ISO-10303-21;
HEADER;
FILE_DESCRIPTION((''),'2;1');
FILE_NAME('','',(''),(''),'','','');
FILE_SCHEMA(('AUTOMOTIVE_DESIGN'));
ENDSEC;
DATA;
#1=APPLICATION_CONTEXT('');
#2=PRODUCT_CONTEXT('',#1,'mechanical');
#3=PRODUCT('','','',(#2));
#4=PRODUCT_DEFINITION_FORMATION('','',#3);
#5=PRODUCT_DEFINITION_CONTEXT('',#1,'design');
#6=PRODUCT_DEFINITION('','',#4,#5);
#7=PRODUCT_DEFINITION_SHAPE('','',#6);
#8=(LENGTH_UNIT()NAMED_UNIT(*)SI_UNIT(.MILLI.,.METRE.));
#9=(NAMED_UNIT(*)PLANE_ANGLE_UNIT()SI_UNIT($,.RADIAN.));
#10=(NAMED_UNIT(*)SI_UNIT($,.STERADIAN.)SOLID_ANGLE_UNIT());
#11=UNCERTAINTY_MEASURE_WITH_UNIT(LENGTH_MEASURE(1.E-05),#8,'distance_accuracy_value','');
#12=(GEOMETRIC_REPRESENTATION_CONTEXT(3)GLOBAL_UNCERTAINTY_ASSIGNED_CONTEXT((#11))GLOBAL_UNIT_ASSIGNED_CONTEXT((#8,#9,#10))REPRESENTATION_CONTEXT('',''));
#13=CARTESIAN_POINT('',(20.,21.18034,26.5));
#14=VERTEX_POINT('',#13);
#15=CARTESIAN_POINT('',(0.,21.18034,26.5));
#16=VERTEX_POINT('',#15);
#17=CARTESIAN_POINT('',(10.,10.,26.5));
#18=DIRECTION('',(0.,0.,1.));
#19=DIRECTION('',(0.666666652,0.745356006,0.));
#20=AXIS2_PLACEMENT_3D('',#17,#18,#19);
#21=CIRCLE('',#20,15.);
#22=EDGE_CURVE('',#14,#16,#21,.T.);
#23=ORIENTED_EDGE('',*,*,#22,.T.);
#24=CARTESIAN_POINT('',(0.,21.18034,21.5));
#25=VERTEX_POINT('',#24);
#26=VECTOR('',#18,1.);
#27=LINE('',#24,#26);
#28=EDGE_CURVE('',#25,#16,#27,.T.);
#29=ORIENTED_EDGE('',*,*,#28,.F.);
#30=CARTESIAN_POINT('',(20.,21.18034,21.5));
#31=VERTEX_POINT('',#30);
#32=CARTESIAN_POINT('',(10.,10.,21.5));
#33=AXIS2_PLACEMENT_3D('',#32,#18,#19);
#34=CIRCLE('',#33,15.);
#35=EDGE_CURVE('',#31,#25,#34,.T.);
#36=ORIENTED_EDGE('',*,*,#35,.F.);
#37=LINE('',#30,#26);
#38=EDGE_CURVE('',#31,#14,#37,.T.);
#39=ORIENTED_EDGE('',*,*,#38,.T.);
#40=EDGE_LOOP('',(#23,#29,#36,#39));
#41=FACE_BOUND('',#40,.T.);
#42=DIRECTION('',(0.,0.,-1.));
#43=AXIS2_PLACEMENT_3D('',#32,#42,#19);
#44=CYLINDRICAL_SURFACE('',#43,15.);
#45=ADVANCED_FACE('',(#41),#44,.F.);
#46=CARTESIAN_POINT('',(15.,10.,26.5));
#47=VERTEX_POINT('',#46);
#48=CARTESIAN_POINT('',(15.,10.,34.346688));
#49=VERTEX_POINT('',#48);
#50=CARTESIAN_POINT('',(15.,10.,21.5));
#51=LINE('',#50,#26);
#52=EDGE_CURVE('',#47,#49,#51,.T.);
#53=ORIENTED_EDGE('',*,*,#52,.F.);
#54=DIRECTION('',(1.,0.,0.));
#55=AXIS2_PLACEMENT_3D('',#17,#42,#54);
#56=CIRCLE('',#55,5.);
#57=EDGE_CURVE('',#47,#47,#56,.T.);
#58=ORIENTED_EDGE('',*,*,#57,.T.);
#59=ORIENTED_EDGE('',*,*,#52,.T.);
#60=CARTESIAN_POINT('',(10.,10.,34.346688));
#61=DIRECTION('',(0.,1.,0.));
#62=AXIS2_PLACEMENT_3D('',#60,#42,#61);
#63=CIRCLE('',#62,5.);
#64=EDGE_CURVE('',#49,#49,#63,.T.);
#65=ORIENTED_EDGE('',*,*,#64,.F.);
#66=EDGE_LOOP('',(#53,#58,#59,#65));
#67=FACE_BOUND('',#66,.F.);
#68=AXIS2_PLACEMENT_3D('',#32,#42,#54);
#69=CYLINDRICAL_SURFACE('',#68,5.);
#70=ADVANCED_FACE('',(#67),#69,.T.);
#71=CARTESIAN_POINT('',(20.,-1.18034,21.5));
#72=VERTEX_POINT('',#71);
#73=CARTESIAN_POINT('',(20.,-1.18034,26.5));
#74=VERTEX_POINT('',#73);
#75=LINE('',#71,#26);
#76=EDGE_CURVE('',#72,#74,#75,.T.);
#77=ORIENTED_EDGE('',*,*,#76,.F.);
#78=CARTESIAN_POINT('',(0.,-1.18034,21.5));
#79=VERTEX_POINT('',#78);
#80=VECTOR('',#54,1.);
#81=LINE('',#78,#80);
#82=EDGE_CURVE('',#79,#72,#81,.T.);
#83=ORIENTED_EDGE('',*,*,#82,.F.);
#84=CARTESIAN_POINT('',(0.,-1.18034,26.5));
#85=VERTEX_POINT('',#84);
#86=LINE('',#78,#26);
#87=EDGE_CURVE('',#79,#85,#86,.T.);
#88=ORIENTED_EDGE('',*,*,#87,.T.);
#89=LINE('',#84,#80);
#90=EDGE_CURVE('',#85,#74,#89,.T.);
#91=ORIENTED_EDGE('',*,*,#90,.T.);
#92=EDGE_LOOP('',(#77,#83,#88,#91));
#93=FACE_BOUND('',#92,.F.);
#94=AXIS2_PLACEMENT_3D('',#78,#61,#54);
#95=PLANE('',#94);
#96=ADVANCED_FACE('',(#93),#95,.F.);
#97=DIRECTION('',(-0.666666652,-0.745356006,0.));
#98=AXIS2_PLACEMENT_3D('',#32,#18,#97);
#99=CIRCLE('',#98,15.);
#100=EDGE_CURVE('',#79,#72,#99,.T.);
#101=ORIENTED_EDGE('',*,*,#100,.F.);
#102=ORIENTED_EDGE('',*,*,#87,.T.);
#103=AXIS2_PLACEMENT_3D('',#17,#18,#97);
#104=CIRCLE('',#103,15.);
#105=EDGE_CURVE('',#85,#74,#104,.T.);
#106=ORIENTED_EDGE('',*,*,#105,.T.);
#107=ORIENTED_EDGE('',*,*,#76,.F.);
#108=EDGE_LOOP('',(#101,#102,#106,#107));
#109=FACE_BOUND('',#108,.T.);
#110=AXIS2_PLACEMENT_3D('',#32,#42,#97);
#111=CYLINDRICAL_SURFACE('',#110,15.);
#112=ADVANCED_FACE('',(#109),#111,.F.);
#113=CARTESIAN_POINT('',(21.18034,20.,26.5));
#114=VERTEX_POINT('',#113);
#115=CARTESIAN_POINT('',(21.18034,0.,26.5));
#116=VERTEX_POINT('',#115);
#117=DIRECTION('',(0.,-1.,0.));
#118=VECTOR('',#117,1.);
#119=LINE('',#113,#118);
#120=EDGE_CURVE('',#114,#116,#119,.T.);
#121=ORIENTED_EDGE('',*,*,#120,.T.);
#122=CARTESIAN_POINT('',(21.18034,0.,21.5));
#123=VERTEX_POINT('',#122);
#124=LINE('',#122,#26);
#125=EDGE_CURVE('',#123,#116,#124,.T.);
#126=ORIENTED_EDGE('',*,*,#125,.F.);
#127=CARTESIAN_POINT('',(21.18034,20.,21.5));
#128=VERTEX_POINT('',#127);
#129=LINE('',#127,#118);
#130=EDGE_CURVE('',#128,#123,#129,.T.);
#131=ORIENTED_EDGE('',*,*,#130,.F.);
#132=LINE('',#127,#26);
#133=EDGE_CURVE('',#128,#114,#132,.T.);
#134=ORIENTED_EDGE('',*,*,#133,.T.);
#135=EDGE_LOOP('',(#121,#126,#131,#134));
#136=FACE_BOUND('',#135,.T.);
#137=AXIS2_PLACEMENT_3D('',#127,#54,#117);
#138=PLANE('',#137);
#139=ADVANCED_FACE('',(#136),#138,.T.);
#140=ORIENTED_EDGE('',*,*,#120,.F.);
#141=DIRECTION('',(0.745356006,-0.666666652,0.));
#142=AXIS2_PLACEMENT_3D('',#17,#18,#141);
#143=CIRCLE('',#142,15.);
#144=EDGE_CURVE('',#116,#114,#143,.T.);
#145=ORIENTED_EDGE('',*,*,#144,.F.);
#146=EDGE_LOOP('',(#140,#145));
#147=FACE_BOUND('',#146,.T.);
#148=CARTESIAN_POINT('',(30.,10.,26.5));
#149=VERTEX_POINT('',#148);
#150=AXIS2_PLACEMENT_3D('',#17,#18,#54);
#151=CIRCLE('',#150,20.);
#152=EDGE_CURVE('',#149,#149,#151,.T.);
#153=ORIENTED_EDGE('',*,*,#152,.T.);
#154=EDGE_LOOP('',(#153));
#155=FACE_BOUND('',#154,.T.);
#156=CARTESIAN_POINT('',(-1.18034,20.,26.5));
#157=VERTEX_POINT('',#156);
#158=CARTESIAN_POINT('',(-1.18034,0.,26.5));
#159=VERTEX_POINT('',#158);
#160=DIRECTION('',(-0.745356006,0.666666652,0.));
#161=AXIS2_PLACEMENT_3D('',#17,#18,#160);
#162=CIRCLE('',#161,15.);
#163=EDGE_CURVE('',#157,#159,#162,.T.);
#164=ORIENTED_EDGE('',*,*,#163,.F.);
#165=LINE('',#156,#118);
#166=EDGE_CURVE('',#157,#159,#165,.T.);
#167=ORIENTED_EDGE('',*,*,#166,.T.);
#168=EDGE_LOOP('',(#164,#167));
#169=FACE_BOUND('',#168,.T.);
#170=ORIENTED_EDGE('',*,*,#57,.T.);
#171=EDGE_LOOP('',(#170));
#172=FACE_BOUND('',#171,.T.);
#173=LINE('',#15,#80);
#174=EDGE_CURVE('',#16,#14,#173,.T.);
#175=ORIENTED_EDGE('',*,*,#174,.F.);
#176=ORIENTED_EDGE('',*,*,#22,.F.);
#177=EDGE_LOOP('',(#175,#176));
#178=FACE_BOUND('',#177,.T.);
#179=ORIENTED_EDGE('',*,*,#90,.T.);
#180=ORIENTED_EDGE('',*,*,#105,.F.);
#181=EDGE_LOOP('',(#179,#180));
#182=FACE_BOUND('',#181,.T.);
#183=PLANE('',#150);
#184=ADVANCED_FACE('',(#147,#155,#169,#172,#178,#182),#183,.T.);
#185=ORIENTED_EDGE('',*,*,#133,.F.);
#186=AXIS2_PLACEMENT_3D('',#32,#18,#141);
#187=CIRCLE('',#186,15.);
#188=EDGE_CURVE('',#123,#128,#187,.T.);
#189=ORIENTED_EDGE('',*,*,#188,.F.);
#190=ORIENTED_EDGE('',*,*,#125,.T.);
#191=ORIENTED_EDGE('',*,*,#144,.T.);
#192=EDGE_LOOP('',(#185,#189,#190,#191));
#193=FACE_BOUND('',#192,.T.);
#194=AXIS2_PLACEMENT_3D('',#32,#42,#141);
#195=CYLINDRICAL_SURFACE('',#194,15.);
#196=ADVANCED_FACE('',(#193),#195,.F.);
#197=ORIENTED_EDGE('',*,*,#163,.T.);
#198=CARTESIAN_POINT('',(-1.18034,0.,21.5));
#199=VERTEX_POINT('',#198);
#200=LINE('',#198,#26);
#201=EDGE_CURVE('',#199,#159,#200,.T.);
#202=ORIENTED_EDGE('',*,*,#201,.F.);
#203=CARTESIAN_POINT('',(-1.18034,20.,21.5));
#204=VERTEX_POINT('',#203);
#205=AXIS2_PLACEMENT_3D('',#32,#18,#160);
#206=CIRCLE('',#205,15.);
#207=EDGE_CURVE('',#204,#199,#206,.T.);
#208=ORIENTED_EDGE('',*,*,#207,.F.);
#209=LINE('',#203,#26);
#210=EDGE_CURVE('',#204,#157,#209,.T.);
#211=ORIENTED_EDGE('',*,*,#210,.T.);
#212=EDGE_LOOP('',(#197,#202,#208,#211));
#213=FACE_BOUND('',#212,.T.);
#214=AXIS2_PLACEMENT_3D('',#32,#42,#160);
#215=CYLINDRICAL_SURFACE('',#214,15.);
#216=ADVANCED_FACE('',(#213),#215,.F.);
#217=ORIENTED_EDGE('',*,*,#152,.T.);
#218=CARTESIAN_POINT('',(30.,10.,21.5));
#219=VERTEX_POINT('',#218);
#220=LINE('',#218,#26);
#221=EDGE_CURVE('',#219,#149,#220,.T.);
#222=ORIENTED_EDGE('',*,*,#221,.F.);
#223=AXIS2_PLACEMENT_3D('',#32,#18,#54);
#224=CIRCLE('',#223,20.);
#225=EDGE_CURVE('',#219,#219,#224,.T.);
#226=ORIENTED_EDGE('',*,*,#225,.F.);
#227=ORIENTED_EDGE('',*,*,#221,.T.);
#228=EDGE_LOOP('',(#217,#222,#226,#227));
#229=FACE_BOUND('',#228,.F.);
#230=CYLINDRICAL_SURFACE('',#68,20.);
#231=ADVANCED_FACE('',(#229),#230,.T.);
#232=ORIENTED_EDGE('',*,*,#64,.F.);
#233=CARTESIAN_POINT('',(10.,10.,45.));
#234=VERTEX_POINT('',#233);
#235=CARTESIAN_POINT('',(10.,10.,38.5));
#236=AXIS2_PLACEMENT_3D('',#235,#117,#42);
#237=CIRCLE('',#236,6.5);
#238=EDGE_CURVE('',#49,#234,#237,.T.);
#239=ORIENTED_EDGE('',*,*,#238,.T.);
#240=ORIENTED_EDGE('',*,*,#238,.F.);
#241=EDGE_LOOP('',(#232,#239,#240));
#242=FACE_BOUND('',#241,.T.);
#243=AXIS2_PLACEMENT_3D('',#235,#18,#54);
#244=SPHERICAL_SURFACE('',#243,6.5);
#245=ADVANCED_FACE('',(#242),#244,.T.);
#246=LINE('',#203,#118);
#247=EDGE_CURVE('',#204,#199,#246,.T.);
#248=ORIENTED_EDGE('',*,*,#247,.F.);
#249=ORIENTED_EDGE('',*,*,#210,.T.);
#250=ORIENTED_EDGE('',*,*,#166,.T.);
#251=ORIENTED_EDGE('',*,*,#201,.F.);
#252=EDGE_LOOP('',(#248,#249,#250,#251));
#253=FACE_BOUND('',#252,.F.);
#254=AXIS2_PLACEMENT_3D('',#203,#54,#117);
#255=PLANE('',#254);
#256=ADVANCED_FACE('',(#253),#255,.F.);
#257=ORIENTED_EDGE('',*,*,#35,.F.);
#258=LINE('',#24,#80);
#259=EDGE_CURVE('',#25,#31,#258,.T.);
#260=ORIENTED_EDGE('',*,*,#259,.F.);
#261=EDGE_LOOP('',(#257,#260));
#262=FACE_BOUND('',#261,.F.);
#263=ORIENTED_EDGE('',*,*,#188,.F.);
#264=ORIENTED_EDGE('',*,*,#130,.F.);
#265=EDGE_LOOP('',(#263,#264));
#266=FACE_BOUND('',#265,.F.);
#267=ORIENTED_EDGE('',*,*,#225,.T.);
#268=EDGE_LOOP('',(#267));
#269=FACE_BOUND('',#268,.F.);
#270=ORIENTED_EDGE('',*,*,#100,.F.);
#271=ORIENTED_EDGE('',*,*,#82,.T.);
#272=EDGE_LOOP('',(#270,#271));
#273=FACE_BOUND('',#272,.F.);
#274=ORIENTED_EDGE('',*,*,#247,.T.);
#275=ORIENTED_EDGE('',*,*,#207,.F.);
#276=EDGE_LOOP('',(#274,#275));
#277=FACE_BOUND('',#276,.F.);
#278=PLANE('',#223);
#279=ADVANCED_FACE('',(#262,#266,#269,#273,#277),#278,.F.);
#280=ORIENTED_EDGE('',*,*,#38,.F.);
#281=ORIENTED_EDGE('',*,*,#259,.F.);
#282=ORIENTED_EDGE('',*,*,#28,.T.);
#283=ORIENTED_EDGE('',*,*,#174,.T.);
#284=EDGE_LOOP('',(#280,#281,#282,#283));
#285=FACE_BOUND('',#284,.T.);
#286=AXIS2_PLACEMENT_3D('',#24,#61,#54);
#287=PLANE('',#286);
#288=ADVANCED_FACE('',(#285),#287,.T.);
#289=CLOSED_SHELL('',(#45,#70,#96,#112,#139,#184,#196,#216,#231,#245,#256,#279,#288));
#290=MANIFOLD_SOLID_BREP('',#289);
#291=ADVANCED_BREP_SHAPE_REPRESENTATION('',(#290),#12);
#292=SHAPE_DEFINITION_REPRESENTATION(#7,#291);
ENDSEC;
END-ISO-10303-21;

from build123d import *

# Parameters (mm, degrees)
SKETCH001_R       = 20
PAD001_DEPTH      = 5
CYLINDER012_R     = 5
CYLINDER012_DEPTH = 15


with BuildPart() as pad001:
    # Sketch001 → Pad001 (new body)
    with BuildSketch(Plane.XY):
        Circle(SKETCH001_R)
        with BuildLine():
            ThreePointArc((11.18034, -10), (15, 0), (11.18034, 10))
            Line((11.18034, 10), (11.18034, -10))
        make_face(mode=Mode.SUBTRACT)
        with BuildLine():
            ThreePointArc((-11.18034, 10), (-15, 0), (-11.18034, -10))
            Line((-11.18034, 10), (-11.18034, -10))
        make_face(mode=Mode.SUBTRACT)
        with BuildLine():
            ThreePointArc((10, 11.18034), (0, 15), (-10, 11.18034))
            Line((-10, 11.18034), (10, 11.18034))
        make_face(mode=Mode.SUBTRACT)
        with BuildLine():
            ThreePointArc((-10, -11.18034), (0, -15), (10, -11.18034))
            Line((-10, -11.18034), (10, -11.18034))
        make_face(mode=Mode.SUBTRACT)
    extrude(amount=PAD001_DEPTH)


with BuildPart() as sphere001:
    # Sphere001 → Sphere001 (revolve)
    with BuildSketch(Plane(origin=(0, 0, 17), x_dir=(1, 0, 0), z_dir=(0, -1, 0))):
        with BuildLine():
            ThreePointArc((0, -6.5), (6.5, 0), (0, 6.5))
            Line((0, 6.5), (0, -6.5))
        make_face()
    revolve(axis=Axis((0, 0, 17), (0, 0, 1)))


with BuildPart() as clone_of_piezacirculo:
    # Cylinder012 → Cylinder012 (new body)
    with BuildSketch(Plane.XY):
        Circle(CYLINDER012_R)
    extrude(amount=CYLINDER012_DEPTH)

    # Fusion018: union Pad001, Sphere001
    add(pad001.part)
    add(sphere001.part)


with BuildPart() as clone_of_piezacirculo_1:
    # Clone020 placement: moved
    add(clone_of_piezacirculo.part.moved(Location((10, 10, 21.5))))


solid = clone_of_piezacirculo_1.part
